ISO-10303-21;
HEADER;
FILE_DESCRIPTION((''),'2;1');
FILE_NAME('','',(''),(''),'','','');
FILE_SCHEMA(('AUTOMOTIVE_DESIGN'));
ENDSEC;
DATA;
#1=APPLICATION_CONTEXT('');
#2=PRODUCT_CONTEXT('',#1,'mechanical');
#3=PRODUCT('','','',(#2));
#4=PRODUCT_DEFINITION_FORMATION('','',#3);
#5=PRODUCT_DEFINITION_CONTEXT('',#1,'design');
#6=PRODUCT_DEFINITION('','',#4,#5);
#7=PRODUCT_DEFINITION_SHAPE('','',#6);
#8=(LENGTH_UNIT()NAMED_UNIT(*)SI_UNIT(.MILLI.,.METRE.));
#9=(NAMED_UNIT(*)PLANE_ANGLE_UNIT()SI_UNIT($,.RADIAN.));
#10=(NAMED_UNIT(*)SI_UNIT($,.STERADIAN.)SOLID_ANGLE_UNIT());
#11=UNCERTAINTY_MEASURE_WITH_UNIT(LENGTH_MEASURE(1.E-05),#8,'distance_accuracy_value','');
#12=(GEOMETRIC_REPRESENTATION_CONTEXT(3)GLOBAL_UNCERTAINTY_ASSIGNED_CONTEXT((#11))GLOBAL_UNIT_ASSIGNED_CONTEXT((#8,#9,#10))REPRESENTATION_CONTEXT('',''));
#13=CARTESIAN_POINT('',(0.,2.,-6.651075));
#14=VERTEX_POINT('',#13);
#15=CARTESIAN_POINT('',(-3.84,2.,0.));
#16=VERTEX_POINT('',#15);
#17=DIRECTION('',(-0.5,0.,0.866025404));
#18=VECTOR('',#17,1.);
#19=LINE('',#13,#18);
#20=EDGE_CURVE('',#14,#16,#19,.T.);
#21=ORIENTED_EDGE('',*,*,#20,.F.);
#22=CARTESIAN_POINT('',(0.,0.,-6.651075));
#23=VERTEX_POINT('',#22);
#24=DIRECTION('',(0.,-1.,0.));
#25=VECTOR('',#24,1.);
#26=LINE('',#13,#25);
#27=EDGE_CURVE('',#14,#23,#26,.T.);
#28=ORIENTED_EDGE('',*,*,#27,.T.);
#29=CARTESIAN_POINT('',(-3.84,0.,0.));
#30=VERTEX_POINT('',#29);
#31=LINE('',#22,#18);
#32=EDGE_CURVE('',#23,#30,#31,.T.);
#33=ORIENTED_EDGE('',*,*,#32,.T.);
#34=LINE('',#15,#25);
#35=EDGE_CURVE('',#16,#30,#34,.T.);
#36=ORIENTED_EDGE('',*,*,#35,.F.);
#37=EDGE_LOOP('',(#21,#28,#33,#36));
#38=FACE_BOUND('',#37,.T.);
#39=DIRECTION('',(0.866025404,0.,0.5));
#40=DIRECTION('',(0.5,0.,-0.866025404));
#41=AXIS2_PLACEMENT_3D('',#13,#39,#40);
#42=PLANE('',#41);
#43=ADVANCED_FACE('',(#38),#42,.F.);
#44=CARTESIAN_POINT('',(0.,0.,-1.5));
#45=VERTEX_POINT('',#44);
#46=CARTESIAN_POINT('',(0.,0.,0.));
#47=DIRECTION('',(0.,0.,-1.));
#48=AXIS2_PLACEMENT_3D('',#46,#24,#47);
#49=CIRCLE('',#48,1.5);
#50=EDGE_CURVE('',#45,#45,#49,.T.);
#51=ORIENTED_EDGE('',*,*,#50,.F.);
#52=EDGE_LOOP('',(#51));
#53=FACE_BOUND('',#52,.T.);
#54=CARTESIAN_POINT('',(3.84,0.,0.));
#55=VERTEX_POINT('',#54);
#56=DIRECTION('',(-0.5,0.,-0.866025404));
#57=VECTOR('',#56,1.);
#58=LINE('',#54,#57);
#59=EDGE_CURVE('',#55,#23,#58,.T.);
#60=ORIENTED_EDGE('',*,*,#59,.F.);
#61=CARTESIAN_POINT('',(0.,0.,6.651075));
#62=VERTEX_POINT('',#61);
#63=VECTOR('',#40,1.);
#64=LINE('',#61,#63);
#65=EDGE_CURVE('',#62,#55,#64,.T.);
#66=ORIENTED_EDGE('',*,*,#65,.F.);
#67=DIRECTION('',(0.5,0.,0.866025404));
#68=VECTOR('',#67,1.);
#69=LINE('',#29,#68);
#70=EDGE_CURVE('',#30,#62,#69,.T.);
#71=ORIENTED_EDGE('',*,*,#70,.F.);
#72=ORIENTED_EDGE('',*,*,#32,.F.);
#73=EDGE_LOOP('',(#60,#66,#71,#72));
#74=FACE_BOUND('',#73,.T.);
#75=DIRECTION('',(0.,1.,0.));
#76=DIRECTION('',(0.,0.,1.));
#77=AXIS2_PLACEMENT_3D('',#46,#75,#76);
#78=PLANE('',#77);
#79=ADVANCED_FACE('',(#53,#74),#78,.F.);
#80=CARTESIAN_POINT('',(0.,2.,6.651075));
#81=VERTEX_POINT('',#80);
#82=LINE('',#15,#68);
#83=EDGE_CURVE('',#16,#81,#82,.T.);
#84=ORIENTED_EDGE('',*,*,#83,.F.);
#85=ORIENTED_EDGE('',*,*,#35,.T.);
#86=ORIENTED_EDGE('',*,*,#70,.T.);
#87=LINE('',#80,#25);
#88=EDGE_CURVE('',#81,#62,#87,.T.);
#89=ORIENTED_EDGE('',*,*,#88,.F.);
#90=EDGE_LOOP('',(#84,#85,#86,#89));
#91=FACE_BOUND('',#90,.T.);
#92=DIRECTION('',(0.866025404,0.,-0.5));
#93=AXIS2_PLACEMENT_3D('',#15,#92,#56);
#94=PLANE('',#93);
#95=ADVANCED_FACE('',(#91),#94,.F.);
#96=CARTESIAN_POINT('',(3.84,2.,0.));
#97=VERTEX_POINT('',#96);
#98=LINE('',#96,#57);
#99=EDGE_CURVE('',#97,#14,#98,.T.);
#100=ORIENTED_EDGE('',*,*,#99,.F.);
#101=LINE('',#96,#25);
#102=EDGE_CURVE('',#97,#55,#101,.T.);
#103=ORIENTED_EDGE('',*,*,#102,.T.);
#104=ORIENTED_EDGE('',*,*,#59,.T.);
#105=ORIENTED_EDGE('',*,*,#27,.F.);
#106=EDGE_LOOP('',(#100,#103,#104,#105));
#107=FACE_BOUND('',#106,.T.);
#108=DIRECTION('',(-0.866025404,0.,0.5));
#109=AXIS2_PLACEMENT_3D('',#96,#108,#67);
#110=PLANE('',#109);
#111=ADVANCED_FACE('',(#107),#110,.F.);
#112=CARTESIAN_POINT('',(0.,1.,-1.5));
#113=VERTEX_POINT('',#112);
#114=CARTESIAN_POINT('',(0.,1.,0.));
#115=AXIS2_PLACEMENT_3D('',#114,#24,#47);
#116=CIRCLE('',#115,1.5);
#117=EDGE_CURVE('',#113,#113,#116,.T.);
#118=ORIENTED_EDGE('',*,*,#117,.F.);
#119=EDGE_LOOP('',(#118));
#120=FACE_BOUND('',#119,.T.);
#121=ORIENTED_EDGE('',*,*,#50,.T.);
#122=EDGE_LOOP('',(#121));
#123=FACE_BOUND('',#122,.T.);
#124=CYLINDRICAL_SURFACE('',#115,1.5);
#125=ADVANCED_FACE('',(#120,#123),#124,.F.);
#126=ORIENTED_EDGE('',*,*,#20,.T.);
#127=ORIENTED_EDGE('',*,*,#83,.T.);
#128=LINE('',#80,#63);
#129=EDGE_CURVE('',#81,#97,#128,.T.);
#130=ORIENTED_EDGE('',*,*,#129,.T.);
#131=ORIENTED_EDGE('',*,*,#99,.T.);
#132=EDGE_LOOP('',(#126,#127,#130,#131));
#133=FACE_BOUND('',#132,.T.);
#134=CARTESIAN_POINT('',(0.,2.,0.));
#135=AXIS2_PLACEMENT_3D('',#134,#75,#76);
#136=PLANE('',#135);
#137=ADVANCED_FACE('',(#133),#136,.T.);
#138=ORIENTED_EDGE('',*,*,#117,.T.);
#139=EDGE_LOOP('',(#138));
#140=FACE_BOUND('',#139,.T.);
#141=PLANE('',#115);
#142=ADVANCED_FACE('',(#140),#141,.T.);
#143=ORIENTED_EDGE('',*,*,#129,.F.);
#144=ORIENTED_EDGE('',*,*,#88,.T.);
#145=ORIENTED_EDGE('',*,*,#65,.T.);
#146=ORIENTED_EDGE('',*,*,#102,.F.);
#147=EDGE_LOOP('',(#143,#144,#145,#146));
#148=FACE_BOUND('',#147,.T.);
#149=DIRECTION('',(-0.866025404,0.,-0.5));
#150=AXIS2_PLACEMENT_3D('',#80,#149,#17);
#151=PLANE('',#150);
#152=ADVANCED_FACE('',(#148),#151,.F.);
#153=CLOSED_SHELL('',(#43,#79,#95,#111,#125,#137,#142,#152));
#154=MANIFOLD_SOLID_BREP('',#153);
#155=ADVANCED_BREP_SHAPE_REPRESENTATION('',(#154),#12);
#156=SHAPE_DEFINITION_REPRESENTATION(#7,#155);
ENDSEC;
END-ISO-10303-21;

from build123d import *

# Parameters (mm, degrees)
BOSS_EXTRUDE1_DEPTH = 2
SKETCH2_R           = 1.5
CUT_EXTRUDE1_DEPTH  = 1


with BuildPart() as part:
    # Sketch1 → Boss-Extrude1 (new body)
    with BuildSketch(Plane(origin=(0, 0, 0), x_dir=(1, 0, 0), z_dir=(0, 1, 0))):
        Polygon((0, 6.651075101), (-3.84, 0), (0, -6.651075101), (3.84, 0), align=None)
    extrude(amount=BOSS_EXTRUDE1_DEPTH)

    # Sketch2 → Cut-Extrude1 (cut)
    with BuildSketch(Plane(origin=(0, 0, 0), x_dir=(-1, 0, 0), z_dir=(0, -1, 0))):
        Circle(SKETCH2_R)
    extrude(amount=-CUT_EXTRUDE1_DEPTH, mode=Mode.SUBTRACT)


solid = part.part
